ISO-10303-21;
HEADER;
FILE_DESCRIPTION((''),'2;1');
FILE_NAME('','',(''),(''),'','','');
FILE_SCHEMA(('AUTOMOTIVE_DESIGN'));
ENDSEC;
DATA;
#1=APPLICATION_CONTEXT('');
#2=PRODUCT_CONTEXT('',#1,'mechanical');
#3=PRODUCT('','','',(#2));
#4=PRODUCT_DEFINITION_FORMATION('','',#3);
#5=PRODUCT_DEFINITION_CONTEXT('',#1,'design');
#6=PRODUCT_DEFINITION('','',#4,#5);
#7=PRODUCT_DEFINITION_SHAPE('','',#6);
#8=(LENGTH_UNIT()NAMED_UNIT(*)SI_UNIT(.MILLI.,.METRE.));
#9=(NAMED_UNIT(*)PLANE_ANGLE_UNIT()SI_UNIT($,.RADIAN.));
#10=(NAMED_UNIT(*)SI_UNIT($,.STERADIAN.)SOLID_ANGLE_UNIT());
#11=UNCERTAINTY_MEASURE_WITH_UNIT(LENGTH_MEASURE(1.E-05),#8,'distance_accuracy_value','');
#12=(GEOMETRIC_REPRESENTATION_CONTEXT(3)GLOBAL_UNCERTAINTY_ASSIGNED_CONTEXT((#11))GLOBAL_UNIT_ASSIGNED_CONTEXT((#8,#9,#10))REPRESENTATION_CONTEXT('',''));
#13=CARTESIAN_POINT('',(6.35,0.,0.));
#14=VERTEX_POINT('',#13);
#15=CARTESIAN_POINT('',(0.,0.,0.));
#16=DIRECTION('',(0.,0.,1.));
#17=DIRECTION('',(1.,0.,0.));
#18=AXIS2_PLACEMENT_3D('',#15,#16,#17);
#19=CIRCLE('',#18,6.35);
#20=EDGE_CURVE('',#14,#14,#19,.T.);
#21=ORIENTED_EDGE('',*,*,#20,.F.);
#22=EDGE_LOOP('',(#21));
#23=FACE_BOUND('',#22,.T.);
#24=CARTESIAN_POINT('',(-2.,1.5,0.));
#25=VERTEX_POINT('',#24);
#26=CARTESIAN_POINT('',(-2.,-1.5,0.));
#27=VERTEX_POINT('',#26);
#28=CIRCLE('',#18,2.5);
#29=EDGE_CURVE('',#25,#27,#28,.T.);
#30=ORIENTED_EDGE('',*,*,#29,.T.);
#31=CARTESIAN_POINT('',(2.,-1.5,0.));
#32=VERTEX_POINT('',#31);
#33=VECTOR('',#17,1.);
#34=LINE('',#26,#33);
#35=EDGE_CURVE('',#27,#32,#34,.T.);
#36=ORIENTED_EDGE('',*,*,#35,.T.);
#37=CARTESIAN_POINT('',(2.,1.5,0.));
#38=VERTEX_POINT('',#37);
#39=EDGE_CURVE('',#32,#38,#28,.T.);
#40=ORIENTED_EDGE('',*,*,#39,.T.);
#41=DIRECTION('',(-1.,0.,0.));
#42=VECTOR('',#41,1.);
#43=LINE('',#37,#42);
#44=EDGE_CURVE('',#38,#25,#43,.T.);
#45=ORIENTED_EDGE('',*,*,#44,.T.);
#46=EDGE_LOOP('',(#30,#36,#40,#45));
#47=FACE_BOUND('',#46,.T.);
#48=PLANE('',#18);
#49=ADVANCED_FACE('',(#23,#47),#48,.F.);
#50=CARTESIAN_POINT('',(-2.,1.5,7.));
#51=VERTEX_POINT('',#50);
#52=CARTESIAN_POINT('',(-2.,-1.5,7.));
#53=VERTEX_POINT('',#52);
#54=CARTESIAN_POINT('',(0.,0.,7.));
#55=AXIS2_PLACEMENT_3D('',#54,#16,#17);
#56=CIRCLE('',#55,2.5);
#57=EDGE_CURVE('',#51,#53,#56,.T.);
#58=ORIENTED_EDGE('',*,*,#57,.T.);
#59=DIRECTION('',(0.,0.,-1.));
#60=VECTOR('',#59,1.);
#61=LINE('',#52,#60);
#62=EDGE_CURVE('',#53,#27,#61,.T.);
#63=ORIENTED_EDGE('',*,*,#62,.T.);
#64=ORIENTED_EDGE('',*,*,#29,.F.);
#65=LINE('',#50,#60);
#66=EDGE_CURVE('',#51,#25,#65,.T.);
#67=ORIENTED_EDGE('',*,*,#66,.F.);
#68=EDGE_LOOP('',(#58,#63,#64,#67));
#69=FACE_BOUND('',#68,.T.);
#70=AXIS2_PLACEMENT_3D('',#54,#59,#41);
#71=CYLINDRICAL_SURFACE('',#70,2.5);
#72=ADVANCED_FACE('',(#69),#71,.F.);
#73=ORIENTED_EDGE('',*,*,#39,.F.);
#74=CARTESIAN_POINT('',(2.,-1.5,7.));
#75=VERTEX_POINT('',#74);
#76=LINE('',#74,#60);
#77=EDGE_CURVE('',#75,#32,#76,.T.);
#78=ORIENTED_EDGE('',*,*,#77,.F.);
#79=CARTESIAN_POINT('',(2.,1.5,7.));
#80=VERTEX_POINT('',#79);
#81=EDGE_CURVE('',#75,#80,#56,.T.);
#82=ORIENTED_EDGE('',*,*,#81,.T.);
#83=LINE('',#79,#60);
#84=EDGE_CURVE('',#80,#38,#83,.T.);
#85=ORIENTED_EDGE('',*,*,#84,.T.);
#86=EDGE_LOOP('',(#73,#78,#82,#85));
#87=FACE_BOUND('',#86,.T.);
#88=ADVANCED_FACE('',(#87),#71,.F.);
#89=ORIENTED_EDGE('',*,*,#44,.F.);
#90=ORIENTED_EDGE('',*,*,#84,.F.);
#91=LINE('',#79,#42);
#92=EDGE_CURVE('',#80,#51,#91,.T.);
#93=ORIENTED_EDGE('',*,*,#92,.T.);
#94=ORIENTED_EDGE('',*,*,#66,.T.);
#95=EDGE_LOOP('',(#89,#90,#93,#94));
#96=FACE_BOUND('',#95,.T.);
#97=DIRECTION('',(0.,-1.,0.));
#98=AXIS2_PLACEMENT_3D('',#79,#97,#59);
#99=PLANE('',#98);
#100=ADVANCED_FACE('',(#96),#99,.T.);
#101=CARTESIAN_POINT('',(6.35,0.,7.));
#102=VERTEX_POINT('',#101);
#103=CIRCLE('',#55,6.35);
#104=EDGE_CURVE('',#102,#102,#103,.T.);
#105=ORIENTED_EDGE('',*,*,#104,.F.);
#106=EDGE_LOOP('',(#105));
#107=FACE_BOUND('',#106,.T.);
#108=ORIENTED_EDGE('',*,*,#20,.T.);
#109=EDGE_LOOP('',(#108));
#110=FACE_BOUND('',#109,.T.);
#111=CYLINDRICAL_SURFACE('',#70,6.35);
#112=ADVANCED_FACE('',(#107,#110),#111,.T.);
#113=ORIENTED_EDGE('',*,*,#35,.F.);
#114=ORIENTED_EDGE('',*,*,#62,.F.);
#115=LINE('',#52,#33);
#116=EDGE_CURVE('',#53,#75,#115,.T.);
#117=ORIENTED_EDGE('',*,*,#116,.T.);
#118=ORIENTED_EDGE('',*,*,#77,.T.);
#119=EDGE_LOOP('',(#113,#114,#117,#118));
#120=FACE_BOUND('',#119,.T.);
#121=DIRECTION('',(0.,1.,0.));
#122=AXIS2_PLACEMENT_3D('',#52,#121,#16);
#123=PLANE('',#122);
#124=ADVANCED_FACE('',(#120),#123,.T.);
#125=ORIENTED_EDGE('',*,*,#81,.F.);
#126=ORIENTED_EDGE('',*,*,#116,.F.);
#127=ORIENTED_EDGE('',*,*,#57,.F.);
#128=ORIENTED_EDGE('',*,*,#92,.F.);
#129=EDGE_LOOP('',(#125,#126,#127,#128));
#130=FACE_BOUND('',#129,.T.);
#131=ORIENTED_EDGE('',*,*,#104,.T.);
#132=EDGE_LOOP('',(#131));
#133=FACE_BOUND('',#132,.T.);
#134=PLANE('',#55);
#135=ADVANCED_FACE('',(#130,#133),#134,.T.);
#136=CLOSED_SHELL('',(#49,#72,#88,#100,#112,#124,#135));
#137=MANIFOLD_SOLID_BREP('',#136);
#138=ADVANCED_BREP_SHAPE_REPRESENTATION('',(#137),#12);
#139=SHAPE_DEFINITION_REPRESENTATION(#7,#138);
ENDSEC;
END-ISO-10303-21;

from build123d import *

# Parameters (mm, degrees)
SKETCH1_R           = 6.35
BOSS_EXTRUDE1_DEPTH = 7


with BuildPart() as part:
    # Sketch1 → Boss-Extrude1 (new body)
    with BuildSketch(Plane.XY):
        Circle(SKETCH1_R)
        with BuildLine():
            Line((2, 1.5), (-2, 1.5))
            ThreePointArc((-2, 1.5), (-2.5, 0), (-2, -1.5))
            Line((-2, -1.5), (2, -1.5))
            ThreePointArc((2, -1.5), (2.5, 0), (2, 1.5))
        make_face(mode=Mode.SUBTRACT)
    extrude(amount=BOSS_EXTRUDE1_DEPTH)


solid = part.part
